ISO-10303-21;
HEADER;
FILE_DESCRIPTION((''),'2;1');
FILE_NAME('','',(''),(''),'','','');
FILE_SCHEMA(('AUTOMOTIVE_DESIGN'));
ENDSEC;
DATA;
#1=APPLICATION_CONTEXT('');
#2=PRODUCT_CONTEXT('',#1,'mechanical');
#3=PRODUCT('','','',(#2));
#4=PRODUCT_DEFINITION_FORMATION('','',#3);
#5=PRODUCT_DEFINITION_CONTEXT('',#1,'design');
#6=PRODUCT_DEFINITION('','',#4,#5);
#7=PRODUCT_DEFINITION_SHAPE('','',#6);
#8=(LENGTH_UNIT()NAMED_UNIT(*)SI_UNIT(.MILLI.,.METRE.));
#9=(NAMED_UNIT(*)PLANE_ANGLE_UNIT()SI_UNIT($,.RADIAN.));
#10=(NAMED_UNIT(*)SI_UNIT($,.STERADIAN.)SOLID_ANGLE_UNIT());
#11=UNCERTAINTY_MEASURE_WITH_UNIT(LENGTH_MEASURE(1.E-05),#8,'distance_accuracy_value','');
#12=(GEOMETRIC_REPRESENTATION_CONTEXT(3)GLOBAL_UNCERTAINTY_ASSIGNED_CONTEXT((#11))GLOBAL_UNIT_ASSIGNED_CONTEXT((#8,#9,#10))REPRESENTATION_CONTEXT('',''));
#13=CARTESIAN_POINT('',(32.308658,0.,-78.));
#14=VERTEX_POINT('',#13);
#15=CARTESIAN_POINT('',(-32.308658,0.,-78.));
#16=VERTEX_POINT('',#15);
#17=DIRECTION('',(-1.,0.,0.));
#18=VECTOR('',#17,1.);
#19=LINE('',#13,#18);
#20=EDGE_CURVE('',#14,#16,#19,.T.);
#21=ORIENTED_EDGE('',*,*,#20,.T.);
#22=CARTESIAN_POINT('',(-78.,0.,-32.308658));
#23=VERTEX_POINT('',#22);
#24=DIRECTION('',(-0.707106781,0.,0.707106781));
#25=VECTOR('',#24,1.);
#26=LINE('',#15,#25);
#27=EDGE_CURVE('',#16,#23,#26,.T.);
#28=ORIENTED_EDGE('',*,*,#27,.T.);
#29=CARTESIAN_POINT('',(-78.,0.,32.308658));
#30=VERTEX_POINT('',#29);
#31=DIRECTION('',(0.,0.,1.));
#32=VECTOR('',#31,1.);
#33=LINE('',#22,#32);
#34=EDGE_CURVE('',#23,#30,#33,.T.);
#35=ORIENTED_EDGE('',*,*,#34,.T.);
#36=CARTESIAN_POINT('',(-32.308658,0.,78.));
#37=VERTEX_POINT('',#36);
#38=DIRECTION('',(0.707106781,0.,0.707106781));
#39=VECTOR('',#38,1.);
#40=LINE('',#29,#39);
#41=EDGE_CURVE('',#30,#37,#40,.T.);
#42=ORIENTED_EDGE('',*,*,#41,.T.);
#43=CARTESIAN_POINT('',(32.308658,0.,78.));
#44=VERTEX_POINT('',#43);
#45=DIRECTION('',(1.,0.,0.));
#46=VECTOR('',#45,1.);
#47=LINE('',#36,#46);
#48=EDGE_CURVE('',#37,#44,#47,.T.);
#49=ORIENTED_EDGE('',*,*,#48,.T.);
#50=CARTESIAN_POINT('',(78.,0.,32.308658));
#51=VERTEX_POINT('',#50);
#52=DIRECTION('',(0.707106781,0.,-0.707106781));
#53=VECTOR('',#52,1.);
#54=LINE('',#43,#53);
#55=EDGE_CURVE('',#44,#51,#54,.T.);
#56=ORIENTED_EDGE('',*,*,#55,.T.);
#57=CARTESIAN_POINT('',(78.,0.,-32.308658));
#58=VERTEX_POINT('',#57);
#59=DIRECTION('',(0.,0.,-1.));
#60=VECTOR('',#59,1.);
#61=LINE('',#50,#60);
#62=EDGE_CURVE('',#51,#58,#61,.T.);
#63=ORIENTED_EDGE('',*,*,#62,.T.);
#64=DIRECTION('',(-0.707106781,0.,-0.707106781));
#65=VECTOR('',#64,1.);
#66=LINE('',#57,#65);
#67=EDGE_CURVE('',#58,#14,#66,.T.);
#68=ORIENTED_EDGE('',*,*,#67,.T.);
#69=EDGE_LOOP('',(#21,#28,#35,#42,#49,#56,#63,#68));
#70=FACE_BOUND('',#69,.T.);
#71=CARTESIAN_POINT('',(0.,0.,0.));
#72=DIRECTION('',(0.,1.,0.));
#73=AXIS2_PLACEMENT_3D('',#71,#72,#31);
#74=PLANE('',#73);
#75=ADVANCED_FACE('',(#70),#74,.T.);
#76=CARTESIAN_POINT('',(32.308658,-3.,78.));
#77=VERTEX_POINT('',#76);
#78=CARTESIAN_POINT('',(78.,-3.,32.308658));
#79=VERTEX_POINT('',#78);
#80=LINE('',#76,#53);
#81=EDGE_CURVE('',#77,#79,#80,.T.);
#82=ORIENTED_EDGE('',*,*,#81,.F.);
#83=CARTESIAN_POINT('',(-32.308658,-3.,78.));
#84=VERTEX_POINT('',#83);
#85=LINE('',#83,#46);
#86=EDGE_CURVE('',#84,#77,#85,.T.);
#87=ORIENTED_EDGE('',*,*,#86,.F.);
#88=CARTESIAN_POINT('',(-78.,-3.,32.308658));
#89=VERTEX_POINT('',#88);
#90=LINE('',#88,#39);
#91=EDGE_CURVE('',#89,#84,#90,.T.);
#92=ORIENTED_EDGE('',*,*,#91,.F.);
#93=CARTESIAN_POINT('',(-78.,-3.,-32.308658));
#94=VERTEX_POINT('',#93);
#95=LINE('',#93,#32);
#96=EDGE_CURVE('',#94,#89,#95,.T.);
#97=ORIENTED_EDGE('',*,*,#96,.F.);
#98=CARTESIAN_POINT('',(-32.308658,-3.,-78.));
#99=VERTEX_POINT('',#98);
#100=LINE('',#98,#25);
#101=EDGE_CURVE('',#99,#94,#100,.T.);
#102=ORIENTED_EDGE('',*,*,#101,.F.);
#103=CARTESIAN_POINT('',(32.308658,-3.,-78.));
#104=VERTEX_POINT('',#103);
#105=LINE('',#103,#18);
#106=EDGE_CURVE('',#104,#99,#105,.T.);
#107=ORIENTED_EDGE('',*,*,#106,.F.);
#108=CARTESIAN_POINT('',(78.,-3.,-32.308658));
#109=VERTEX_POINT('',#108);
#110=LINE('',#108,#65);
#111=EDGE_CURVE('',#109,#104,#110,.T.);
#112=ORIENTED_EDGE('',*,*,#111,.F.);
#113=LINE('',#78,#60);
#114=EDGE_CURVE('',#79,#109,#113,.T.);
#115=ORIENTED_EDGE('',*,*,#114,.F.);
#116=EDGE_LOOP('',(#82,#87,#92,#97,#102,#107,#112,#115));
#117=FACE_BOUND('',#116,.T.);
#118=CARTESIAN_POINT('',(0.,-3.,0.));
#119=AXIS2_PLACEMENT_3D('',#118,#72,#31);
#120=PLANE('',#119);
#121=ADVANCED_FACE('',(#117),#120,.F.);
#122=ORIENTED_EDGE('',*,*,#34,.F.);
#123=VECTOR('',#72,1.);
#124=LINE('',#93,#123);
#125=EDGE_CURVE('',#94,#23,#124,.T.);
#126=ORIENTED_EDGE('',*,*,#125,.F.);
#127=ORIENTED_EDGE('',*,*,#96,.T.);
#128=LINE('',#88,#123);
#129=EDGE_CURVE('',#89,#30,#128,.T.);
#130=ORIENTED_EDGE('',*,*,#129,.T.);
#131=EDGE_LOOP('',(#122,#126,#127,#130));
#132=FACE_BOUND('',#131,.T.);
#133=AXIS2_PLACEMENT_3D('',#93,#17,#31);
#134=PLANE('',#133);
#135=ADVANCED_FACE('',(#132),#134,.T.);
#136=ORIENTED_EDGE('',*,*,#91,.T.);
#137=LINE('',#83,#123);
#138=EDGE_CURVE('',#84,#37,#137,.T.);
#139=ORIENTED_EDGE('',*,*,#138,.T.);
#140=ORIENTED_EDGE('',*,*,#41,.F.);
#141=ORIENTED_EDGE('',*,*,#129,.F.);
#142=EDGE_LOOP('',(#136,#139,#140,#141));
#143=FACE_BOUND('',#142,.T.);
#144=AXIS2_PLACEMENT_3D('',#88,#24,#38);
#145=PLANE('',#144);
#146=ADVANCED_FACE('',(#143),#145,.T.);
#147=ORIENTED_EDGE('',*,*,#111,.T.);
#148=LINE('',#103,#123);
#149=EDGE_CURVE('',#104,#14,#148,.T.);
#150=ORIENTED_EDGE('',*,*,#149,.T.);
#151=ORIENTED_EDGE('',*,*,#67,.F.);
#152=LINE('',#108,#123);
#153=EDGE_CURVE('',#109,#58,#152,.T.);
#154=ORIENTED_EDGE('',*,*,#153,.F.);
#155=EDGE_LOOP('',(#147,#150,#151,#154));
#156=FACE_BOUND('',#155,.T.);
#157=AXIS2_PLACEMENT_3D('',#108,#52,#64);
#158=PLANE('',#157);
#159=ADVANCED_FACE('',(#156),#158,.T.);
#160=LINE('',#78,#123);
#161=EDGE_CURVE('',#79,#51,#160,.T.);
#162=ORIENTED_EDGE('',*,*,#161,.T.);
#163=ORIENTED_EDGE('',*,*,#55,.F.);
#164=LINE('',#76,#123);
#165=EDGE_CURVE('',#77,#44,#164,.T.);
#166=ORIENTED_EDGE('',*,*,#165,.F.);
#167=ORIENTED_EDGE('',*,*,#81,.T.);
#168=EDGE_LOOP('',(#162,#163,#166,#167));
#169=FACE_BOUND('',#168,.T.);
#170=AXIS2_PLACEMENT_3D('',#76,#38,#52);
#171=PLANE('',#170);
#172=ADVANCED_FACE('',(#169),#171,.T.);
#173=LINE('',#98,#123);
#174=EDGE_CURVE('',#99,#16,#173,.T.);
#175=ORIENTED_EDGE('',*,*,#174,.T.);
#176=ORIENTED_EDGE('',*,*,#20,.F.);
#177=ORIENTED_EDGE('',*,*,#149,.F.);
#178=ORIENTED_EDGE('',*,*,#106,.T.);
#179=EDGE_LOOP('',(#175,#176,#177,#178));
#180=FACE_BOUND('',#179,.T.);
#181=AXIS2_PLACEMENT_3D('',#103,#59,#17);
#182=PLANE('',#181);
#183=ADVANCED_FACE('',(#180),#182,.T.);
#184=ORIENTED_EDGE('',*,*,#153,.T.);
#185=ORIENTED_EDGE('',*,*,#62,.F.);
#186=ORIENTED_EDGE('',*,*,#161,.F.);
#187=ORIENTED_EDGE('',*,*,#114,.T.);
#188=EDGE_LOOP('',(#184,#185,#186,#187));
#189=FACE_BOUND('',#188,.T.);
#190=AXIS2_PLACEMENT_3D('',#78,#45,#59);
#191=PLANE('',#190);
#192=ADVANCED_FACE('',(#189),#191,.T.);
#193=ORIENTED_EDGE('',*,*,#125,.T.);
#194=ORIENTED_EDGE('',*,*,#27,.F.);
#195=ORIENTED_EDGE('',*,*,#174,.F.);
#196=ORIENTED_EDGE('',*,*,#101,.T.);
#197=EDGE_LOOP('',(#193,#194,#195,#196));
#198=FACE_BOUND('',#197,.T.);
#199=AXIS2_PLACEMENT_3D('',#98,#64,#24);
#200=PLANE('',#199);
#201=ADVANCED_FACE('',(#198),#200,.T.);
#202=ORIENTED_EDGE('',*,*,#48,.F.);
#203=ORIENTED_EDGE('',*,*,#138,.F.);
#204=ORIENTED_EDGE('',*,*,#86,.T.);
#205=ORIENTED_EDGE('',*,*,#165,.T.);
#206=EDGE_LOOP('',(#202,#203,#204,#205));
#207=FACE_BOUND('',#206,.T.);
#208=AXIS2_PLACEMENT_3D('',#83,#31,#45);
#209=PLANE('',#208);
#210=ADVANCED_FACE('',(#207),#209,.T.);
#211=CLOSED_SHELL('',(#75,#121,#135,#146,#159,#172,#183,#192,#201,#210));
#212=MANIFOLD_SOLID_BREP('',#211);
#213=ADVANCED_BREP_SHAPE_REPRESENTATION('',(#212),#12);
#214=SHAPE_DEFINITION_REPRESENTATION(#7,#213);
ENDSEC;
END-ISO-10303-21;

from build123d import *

# Parameters (mm, degrees)
BOSS_EXTRUDE5_DEPTH = 3


with BuildPart() as part:
    # Sketch6 → Boss-Extrude5 (new body)
    with BuildSketch(Plane(origin=(0, 0, 0), x_dir=(1, 0, 0), z_dir=(0, 1, 0))):
        Polygon((78, 32.308657865), (32.308657865, 78), (-32.308657865, 78), (-78, 32.308657865), (-78, -32.308657865), (-32.308657865, -78), (32.308657865, -78), (78, -32.308657865), align=None)
    extrude(amount=-BOSS_EXTRUDE5_DEPTH)


solid = part.part
